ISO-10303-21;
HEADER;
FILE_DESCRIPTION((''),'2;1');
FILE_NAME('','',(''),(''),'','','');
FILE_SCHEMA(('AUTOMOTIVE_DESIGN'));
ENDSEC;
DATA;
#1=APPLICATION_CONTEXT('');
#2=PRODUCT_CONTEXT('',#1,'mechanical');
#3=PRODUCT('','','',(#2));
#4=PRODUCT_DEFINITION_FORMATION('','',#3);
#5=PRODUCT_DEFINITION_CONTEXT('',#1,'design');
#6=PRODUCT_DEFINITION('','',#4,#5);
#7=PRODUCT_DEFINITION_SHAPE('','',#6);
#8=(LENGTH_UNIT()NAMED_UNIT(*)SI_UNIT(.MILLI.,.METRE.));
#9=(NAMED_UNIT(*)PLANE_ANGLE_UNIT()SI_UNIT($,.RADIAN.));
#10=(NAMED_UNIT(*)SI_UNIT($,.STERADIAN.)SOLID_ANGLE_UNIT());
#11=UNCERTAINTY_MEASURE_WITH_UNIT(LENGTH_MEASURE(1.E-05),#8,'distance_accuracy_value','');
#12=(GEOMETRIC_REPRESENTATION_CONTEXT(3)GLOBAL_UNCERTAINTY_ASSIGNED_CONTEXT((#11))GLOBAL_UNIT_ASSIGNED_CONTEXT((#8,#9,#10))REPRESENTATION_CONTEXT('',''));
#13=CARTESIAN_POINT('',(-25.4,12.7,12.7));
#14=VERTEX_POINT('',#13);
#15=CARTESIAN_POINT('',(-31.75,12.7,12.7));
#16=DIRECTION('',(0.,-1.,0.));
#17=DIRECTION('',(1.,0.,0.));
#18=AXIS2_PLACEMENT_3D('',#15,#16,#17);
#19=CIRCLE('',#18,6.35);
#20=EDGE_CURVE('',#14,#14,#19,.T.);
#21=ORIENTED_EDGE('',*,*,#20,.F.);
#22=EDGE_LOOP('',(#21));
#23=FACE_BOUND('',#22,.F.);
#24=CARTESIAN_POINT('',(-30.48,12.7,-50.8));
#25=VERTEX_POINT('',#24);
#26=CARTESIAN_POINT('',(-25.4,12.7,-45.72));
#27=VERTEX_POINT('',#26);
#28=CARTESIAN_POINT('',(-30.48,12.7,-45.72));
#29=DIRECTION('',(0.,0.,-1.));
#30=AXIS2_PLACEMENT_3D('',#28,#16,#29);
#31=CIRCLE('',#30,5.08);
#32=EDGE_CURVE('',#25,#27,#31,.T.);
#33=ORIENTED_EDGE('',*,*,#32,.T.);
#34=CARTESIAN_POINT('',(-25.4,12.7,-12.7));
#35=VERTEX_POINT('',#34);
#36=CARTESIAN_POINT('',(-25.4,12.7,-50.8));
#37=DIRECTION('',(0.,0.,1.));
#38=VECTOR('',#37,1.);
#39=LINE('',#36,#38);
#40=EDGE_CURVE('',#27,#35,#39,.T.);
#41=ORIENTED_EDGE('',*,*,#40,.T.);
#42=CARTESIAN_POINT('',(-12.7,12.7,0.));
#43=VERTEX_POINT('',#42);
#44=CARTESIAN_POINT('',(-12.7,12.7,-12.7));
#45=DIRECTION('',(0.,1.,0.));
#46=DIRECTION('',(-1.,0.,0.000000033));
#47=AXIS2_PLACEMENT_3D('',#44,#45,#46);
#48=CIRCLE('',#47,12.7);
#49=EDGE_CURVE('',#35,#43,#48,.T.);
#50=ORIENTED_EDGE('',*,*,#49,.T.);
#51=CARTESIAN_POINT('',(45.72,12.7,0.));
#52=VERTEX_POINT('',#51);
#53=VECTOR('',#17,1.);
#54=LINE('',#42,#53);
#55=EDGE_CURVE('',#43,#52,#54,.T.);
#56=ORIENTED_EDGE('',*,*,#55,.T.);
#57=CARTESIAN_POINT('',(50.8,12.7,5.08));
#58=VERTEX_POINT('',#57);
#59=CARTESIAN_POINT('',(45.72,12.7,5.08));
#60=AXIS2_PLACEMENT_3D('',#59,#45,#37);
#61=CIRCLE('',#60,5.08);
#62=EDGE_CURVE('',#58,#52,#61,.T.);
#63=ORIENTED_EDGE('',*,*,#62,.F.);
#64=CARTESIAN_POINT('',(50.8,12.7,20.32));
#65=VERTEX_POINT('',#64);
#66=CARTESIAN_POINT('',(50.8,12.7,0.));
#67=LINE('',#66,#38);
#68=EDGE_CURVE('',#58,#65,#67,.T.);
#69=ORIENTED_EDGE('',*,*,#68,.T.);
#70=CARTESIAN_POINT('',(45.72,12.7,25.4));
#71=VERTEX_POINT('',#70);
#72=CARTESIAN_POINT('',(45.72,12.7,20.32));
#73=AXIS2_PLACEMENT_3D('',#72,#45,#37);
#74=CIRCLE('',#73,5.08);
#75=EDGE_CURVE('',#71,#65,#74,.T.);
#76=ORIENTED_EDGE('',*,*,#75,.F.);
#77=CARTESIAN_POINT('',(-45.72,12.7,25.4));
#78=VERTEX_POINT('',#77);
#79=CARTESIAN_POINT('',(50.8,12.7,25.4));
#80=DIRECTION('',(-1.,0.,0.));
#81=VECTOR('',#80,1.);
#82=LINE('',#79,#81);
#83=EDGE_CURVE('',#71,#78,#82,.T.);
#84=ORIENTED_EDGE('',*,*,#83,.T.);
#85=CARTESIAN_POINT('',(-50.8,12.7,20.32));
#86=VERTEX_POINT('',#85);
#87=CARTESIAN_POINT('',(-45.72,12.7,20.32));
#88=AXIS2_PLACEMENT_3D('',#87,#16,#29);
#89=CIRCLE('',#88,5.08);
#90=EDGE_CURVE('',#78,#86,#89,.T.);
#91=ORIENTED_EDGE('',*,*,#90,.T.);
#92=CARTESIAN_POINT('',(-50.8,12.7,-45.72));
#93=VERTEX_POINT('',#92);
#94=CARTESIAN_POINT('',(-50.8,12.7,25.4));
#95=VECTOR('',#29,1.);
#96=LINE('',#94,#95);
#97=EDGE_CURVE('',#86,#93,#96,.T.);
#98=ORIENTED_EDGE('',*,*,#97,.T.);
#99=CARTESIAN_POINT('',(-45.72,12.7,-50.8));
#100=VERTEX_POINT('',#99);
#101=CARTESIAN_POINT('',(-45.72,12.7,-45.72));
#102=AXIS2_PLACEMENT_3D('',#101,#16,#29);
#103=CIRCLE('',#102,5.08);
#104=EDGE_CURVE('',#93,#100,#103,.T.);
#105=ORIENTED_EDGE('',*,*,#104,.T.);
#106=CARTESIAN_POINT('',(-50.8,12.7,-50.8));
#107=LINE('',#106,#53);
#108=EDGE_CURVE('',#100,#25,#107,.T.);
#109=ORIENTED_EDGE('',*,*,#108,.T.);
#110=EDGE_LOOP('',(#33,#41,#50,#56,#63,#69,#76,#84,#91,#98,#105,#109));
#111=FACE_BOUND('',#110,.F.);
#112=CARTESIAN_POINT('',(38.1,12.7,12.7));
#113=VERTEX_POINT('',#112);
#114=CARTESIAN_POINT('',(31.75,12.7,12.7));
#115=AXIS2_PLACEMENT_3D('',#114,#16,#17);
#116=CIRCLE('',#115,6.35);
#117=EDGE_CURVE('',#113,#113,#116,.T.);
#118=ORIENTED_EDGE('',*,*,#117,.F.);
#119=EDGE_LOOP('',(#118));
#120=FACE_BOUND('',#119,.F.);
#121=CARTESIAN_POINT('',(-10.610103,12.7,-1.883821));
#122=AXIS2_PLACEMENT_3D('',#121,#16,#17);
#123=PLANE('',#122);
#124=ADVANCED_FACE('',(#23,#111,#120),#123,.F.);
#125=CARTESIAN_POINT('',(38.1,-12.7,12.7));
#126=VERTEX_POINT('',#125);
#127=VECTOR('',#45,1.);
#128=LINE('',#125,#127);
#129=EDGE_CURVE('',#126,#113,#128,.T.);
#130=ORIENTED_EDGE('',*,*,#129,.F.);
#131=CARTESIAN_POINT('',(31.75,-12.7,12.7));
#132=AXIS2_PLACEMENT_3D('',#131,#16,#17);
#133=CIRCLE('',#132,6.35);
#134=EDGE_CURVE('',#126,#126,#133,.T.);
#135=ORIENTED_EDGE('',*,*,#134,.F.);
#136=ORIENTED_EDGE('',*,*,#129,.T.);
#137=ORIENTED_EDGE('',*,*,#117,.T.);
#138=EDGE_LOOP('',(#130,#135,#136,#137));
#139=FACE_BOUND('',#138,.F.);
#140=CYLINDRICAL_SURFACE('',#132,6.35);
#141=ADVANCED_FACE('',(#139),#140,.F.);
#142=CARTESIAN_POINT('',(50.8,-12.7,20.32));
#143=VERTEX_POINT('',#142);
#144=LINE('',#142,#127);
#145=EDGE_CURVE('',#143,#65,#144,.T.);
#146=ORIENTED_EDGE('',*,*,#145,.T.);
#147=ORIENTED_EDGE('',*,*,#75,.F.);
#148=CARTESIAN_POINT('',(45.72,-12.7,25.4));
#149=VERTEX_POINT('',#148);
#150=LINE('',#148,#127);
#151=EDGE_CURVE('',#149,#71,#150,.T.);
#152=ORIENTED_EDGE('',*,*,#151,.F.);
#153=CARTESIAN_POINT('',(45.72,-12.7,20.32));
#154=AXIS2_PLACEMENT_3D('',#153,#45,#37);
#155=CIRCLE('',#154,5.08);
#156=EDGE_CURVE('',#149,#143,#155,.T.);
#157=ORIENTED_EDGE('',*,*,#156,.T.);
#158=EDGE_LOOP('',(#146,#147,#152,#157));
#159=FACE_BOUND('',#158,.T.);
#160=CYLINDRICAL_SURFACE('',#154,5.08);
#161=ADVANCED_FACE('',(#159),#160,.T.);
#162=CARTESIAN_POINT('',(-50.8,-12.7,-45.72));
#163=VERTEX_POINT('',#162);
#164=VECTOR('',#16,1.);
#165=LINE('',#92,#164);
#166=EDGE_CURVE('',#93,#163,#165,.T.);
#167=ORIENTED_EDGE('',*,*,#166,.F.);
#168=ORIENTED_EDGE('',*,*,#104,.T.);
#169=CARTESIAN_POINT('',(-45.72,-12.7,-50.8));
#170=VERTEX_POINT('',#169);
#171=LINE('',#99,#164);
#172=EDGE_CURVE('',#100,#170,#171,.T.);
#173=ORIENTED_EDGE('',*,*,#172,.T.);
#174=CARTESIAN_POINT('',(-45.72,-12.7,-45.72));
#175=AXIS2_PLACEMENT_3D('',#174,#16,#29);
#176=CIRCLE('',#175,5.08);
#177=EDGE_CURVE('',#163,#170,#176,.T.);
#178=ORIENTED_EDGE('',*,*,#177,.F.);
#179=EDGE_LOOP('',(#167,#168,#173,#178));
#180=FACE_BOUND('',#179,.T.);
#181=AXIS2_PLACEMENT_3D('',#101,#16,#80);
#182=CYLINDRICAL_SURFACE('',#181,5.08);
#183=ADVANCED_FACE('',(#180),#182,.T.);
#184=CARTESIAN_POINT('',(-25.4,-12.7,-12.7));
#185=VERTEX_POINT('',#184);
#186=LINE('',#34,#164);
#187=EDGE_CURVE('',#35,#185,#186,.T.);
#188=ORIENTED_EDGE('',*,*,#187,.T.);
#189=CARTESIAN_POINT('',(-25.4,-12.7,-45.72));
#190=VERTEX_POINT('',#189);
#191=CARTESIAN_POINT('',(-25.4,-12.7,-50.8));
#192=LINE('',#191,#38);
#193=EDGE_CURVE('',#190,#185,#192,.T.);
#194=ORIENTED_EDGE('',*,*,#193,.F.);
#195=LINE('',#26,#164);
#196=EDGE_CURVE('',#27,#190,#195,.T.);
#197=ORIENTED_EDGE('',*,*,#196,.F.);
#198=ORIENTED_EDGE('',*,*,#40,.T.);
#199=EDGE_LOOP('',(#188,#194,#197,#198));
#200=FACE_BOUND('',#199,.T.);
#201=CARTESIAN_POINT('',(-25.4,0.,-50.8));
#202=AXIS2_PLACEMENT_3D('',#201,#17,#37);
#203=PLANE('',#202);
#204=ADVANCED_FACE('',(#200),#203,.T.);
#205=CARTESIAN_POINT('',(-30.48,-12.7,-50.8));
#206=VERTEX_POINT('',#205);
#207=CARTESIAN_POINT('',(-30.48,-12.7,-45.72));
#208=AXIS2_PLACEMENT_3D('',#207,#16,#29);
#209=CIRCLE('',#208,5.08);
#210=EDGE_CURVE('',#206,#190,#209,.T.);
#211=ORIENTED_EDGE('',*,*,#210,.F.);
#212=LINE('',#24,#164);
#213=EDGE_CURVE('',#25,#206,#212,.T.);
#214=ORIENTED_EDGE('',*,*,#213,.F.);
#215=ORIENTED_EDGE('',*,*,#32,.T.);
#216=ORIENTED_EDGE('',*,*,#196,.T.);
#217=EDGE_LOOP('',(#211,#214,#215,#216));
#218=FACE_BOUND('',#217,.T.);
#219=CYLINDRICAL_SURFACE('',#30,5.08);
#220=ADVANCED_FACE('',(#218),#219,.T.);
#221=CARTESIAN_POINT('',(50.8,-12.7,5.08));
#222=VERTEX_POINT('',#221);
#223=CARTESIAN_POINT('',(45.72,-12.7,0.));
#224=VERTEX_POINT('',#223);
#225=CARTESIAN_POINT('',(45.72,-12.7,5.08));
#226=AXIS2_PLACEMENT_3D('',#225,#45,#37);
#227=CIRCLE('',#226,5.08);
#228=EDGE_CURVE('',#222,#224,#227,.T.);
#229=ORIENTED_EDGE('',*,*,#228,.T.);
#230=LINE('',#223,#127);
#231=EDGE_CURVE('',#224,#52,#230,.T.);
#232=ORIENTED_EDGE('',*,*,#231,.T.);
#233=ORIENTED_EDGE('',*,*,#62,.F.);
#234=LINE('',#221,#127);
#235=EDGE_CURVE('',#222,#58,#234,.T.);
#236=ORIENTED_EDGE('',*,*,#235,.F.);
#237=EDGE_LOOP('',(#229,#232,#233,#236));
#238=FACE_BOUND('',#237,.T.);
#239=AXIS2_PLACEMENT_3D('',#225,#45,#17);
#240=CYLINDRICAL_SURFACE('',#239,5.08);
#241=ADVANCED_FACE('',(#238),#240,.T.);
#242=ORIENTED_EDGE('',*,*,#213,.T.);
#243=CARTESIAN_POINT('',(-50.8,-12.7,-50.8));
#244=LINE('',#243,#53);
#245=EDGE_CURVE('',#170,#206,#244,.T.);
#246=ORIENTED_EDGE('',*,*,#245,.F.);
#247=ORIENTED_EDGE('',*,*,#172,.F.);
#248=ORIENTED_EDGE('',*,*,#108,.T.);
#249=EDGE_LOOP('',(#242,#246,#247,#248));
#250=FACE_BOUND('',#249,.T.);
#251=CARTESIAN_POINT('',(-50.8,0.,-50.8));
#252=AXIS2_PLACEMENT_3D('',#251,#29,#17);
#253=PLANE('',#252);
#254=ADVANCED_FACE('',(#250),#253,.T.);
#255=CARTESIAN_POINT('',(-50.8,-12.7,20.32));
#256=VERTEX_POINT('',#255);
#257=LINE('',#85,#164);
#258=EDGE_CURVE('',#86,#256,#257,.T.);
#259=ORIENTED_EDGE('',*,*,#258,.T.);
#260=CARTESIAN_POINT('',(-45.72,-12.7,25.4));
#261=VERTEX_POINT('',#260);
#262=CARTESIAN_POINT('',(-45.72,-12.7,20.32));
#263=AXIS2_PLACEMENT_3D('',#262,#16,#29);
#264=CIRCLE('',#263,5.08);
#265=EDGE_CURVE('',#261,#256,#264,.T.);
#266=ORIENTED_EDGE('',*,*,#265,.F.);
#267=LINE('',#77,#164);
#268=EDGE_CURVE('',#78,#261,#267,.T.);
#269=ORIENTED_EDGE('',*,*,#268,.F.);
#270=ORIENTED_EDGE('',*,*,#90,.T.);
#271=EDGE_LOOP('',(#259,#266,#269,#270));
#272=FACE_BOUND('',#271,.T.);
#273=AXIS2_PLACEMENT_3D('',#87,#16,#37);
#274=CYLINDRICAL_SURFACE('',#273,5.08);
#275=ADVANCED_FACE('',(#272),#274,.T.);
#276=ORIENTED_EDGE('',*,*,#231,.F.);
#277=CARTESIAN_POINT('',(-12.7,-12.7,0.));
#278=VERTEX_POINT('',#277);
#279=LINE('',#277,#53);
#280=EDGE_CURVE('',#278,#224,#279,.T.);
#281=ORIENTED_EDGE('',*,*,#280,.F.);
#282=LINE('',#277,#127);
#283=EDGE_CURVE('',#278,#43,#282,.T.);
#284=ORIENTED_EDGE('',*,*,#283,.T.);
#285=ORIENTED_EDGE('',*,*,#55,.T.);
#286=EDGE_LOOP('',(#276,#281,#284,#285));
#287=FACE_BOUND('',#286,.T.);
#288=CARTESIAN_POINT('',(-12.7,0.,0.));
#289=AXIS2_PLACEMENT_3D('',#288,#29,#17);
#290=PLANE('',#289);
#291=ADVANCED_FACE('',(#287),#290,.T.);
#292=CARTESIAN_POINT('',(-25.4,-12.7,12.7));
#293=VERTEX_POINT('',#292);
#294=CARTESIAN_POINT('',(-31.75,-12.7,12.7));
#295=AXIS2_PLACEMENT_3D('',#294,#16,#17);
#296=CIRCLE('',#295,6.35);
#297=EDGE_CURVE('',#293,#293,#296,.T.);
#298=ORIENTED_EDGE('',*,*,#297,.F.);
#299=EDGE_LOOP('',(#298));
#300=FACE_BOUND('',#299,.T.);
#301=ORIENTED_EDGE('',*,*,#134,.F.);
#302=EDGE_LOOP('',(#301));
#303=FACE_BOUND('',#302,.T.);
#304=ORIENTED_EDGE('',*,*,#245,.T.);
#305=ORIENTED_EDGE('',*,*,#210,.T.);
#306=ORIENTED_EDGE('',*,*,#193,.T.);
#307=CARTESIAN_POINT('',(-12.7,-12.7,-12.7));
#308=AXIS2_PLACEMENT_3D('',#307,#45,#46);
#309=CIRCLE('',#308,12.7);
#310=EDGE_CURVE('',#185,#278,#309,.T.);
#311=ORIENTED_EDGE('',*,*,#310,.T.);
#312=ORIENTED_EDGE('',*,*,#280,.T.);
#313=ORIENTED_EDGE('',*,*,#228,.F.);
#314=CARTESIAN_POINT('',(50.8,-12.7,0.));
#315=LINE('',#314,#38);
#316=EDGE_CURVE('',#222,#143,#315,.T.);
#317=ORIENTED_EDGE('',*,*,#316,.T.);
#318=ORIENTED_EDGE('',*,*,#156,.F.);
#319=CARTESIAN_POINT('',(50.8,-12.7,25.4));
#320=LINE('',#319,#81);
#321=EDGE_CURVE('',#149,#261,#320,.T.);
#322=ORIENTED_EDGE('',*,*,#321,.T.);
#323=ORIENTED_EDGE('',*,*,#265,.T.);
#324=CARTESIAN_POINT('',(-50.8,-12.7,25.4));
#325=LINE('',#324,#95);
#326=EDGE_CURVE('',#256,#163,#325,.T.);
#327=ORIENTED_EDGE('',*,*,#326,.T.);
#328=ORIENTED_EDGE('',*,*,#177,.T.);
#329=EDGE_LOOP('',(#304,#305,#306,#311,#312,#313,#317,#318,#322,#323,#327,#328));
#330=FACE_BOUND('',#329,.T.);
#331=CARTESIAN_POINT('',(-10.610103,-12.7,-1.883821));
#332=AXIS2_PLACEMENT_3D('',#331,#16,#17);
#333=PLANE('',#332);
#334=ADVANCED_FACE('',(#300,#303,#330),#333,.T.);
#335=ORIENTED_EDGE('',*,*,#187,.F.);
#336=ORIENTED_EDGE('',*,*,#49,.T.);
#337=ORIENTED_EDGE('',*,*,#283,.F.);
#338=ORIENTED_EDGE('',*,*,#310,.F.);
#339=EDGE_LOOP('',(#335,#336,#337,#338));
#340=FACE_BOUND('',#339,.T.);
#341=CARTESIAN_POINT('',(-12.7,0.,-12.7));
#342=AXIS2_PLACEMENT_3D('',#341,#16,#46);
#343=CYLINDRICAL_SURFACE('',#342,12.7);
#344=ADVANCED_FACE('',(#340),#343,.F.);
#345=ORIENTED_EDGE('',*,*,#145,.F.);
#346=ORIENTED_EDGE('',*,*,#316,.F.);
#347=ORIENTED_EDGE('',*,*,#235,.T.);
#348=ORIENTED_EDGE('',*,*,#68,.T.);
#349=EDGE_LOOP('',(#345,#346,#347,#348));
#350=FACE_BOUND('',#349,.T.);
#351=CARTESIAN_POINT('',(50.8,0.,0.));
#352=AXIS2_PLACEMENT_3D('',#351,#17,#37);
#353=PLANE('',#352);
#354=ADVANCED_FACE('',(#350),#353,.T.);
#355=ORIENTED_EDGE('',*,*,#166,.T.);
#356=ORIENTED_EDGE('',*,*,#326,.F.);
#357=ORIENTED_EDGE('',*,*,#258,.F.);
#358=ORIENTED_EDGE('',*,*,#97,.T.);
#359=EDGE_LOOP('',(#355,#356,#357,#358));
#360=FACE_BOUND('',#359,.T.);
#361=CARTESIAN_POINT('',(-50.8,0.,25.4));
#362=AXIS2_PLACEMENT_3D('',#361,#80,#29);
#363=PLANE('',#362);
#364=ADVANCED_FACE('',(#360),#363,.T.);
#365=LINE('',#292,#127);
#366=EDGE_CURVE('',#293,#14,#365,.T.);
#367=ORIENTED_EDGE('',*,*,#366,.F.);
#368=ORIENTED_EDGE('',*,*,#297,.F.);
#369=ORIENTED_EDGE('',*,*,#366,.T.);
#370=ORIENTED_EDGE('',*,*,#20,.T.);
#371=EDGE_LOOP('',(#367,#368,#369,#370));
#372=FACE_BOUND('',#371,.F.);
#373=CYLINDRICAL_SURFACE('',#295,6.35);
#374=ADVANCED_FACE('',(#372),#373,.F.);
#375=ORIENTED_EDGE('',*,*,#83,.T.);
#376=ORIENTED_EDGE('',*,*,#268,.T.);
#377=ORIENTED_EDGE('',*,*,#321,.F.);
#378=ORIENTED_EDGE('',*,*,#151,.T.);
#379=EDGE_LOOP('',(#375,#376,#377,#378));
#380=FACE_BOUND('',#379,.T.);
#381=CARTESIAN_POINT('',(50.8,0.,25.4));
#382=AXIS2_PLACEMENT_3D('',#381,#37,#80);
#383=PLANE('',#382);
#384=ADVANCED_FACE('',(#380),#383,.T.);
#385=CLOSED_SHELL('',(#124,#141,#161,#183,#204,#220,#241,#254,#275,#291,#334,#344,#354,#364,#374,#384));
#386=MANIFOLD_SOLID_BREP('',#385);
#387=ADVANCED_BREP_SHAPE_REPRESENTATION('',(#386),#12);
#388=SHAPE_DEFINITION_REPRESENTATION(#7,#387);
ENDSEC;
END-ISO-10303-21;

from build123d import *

# Parameters (mm, degrees)
F1_DEPTH = 12.7
F2_R     = 6.35
F3_DEPTH = 25.401
F4_R     = 5.08


with BuildPart() as f1:
    # F0 (on Front) → F1 (new body, symmetric)
    with BuildSketch(Plane.XZ):
        with BuildLine():
            Line((50.8, 25.4), (-50.8, 25.4))
            Line((-50.8, 25.4), (-50.8, -50.8))
            Line((-50.8, -50.8), (-25.4, -50.8))
            Line((-25.4, -50.8), (-25.4, -12.7))
            ThreePointArc((-25.4, -12.7), (-21.680256, -3.719744), (-12.7, 0))
            Line((-12.7, 0), (50.8, 0))
            Line((50.8, 0), (50.8, 25.4))
        make_face()
    extrude(amount=F1_DEPTH, both=True)

    # F2 (on face) → F3 (cut, through all)
    with BuildSketch(Plane.XZ.offset(12.7)):
        with Locations((-31.75, 12.7)):
            Circle(F2_R)
        with Locations((31.75, 12.7)):
            Circle(F2_R)
    extrude(amount=-F3_DEPTH, mode=Mode.SUBTRACT)

    # F4
    f4_edges = [f1.edges().sort_by_distance(p)[0] for p in [
        (50.8, 0, 25.4),
        (50.8, 0, 0),
        (-25.4, 0, -50.8),
        (-50.8, 0, 25.4),
        (-50.8, 0, -50.8),
    ]]
    fillet(f4_edges, radius=F4_R)


solid = f1.part
